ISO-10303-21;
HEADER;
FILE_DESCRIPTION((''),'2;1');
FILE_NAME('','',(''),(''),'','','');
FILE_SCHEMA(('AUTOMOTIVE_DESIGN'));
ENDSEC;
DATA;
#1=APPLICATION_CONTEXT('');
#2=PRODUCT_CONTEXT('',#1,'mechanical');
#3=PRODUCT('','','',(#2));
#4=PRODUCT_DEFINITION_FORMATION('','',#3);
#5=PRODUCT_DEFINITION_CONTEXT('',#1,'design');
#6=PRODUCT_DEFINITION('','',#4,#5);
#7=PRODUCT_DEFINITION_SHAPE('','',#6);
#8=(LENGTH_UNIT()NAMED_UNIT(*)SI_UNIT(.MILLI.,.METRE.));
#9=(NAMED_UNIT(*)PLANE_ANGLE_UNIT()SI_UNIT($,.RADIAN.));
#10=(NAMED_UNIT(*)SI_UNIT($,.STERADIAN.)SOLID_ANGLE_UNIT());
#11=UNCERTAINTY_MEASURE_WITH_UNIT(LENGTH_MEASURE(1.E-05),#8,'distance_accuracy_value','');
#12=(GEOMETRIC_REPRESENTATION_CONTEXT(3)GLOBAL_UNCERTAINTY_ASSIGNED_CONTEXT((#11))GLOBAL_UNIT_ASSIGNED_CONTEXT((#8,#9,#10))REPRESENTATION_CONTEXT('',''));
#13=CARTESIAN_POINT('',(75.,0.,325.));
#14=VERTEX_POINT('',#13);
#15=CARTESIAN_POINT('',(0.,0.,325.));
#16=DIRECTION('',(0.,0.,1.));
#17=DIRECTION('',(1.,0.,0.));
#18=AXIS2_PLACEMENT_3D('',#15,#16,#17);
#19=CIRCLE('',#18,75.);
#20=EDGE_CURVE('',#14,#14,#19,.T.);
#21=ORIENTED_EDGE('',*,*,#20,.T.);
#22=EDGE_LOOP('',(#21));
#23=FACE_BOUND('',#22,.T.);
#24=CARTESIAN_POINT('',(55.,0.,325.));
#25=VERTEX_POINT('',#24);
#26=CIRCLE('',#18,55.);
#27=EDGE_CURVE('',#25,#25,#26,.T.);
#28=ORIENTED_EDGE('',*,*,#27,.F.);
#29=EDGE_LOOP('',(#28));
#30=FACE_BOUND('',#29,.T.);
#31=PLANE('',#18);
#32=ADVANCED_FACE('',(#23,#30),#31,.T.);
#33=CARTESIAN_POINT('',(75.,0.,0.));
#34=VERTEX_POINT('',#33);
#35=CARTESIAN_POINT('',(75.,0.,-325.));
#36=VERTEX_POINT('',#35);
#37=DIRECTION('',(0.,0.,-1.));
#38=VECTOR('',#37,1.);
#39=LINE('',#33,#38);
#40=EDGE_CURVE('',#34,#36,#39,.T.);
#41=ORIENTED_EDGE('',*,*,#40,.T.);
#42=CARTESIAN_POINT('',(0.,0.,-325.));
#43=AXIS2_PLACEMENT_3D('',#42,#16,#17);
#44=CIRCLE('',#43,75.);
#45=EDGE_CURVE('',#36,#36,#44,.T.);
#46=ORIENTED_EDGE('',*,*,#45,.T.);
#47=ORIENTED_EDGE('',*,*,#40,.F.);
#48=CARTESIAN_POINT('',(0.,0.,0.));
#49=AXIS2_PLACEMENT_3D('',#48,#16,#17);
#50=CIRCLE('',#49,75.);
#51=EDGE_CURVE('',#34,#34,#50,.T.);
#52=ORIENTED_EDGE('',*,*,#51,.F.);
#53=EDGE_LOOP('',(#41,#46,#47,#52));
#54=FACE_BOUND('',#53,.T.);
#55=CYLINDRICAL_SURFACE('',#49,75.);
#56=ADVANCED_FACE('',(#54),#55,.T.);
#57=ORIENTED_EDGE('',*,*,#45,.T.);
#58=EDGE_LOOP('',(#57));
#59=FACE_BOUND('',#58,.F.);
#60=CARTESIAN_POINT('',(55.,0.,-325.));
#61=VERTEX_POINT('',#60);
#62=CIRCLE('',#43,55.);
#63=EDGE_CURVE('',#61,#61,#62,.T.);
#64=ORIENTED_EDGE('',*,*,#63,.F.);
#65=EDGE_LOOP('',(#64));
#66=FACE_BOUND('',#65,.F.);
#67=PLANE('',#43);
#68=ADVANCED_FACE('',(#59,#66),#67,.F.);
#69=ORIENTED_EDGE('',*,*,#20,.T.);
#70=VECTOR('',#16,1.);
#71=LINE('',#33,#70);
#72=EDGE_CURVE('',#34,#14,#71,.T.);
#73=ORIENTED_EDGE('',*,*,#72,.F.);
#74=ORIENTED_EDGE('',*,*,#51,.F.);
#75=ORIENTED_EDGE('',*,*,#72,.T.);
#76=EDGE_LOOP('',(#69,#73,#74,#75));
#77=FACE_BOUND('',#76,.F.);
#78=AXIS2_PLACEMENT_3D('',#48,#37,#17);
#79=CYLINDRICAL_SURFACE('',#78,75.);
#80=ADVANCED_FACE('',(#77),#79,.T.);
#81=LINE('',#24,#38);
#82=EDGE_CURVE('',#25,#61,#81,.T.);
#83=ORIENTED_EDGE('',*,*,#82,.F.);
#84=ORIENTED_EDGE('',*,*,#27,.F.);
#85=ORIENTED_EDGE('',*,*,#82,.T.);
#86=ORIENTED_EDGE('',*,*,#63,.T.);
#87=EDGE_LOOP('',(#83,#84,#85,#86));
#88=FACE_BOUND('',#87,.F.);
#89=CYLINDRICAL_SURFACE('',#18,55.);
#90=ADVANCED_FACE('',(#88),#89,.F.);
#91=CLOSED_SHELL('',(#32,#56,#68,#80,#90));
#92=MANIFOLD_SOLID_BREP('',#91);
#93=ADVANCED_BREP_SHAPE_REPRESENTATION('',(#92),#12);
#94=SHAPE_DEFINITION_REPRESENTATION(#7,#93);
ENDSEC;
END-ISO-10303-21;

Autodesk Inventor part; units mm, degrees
ref_plane "YZ Plane" through (0, 0, 0) normal (1, 0, 0) x (0, 1, 0)
ref_plane "XZ Plane" through (0, 0, 0) normal (0, 1, 0) x (-1, 0, 0)
ref_plane "XY Plane" through (0, 0, 0) normal (0, 0, 1) x (1, 0, 0)
sketch "Sketch1" plane through (0, 0, 0) normal (0, 0, 1) x (1, 0, 0)
  circle A0 centre (0, 0) radius 75
  dimension "d0" = 150
extrude "Extrusion1" add sketch "Sketch1" along normal mid plane 650
sketch "Sketch2" plane through (0, 0, 325) normal (0, 0, 1) x (1, 0, 0)
  circle A0 centre (0, 0) radius 55
  dimension "d3" = 110
extrude "Extrusion2" cut sketch "Sketch2" against normal through all
properties part number "AGBL01_2_REV_00"
